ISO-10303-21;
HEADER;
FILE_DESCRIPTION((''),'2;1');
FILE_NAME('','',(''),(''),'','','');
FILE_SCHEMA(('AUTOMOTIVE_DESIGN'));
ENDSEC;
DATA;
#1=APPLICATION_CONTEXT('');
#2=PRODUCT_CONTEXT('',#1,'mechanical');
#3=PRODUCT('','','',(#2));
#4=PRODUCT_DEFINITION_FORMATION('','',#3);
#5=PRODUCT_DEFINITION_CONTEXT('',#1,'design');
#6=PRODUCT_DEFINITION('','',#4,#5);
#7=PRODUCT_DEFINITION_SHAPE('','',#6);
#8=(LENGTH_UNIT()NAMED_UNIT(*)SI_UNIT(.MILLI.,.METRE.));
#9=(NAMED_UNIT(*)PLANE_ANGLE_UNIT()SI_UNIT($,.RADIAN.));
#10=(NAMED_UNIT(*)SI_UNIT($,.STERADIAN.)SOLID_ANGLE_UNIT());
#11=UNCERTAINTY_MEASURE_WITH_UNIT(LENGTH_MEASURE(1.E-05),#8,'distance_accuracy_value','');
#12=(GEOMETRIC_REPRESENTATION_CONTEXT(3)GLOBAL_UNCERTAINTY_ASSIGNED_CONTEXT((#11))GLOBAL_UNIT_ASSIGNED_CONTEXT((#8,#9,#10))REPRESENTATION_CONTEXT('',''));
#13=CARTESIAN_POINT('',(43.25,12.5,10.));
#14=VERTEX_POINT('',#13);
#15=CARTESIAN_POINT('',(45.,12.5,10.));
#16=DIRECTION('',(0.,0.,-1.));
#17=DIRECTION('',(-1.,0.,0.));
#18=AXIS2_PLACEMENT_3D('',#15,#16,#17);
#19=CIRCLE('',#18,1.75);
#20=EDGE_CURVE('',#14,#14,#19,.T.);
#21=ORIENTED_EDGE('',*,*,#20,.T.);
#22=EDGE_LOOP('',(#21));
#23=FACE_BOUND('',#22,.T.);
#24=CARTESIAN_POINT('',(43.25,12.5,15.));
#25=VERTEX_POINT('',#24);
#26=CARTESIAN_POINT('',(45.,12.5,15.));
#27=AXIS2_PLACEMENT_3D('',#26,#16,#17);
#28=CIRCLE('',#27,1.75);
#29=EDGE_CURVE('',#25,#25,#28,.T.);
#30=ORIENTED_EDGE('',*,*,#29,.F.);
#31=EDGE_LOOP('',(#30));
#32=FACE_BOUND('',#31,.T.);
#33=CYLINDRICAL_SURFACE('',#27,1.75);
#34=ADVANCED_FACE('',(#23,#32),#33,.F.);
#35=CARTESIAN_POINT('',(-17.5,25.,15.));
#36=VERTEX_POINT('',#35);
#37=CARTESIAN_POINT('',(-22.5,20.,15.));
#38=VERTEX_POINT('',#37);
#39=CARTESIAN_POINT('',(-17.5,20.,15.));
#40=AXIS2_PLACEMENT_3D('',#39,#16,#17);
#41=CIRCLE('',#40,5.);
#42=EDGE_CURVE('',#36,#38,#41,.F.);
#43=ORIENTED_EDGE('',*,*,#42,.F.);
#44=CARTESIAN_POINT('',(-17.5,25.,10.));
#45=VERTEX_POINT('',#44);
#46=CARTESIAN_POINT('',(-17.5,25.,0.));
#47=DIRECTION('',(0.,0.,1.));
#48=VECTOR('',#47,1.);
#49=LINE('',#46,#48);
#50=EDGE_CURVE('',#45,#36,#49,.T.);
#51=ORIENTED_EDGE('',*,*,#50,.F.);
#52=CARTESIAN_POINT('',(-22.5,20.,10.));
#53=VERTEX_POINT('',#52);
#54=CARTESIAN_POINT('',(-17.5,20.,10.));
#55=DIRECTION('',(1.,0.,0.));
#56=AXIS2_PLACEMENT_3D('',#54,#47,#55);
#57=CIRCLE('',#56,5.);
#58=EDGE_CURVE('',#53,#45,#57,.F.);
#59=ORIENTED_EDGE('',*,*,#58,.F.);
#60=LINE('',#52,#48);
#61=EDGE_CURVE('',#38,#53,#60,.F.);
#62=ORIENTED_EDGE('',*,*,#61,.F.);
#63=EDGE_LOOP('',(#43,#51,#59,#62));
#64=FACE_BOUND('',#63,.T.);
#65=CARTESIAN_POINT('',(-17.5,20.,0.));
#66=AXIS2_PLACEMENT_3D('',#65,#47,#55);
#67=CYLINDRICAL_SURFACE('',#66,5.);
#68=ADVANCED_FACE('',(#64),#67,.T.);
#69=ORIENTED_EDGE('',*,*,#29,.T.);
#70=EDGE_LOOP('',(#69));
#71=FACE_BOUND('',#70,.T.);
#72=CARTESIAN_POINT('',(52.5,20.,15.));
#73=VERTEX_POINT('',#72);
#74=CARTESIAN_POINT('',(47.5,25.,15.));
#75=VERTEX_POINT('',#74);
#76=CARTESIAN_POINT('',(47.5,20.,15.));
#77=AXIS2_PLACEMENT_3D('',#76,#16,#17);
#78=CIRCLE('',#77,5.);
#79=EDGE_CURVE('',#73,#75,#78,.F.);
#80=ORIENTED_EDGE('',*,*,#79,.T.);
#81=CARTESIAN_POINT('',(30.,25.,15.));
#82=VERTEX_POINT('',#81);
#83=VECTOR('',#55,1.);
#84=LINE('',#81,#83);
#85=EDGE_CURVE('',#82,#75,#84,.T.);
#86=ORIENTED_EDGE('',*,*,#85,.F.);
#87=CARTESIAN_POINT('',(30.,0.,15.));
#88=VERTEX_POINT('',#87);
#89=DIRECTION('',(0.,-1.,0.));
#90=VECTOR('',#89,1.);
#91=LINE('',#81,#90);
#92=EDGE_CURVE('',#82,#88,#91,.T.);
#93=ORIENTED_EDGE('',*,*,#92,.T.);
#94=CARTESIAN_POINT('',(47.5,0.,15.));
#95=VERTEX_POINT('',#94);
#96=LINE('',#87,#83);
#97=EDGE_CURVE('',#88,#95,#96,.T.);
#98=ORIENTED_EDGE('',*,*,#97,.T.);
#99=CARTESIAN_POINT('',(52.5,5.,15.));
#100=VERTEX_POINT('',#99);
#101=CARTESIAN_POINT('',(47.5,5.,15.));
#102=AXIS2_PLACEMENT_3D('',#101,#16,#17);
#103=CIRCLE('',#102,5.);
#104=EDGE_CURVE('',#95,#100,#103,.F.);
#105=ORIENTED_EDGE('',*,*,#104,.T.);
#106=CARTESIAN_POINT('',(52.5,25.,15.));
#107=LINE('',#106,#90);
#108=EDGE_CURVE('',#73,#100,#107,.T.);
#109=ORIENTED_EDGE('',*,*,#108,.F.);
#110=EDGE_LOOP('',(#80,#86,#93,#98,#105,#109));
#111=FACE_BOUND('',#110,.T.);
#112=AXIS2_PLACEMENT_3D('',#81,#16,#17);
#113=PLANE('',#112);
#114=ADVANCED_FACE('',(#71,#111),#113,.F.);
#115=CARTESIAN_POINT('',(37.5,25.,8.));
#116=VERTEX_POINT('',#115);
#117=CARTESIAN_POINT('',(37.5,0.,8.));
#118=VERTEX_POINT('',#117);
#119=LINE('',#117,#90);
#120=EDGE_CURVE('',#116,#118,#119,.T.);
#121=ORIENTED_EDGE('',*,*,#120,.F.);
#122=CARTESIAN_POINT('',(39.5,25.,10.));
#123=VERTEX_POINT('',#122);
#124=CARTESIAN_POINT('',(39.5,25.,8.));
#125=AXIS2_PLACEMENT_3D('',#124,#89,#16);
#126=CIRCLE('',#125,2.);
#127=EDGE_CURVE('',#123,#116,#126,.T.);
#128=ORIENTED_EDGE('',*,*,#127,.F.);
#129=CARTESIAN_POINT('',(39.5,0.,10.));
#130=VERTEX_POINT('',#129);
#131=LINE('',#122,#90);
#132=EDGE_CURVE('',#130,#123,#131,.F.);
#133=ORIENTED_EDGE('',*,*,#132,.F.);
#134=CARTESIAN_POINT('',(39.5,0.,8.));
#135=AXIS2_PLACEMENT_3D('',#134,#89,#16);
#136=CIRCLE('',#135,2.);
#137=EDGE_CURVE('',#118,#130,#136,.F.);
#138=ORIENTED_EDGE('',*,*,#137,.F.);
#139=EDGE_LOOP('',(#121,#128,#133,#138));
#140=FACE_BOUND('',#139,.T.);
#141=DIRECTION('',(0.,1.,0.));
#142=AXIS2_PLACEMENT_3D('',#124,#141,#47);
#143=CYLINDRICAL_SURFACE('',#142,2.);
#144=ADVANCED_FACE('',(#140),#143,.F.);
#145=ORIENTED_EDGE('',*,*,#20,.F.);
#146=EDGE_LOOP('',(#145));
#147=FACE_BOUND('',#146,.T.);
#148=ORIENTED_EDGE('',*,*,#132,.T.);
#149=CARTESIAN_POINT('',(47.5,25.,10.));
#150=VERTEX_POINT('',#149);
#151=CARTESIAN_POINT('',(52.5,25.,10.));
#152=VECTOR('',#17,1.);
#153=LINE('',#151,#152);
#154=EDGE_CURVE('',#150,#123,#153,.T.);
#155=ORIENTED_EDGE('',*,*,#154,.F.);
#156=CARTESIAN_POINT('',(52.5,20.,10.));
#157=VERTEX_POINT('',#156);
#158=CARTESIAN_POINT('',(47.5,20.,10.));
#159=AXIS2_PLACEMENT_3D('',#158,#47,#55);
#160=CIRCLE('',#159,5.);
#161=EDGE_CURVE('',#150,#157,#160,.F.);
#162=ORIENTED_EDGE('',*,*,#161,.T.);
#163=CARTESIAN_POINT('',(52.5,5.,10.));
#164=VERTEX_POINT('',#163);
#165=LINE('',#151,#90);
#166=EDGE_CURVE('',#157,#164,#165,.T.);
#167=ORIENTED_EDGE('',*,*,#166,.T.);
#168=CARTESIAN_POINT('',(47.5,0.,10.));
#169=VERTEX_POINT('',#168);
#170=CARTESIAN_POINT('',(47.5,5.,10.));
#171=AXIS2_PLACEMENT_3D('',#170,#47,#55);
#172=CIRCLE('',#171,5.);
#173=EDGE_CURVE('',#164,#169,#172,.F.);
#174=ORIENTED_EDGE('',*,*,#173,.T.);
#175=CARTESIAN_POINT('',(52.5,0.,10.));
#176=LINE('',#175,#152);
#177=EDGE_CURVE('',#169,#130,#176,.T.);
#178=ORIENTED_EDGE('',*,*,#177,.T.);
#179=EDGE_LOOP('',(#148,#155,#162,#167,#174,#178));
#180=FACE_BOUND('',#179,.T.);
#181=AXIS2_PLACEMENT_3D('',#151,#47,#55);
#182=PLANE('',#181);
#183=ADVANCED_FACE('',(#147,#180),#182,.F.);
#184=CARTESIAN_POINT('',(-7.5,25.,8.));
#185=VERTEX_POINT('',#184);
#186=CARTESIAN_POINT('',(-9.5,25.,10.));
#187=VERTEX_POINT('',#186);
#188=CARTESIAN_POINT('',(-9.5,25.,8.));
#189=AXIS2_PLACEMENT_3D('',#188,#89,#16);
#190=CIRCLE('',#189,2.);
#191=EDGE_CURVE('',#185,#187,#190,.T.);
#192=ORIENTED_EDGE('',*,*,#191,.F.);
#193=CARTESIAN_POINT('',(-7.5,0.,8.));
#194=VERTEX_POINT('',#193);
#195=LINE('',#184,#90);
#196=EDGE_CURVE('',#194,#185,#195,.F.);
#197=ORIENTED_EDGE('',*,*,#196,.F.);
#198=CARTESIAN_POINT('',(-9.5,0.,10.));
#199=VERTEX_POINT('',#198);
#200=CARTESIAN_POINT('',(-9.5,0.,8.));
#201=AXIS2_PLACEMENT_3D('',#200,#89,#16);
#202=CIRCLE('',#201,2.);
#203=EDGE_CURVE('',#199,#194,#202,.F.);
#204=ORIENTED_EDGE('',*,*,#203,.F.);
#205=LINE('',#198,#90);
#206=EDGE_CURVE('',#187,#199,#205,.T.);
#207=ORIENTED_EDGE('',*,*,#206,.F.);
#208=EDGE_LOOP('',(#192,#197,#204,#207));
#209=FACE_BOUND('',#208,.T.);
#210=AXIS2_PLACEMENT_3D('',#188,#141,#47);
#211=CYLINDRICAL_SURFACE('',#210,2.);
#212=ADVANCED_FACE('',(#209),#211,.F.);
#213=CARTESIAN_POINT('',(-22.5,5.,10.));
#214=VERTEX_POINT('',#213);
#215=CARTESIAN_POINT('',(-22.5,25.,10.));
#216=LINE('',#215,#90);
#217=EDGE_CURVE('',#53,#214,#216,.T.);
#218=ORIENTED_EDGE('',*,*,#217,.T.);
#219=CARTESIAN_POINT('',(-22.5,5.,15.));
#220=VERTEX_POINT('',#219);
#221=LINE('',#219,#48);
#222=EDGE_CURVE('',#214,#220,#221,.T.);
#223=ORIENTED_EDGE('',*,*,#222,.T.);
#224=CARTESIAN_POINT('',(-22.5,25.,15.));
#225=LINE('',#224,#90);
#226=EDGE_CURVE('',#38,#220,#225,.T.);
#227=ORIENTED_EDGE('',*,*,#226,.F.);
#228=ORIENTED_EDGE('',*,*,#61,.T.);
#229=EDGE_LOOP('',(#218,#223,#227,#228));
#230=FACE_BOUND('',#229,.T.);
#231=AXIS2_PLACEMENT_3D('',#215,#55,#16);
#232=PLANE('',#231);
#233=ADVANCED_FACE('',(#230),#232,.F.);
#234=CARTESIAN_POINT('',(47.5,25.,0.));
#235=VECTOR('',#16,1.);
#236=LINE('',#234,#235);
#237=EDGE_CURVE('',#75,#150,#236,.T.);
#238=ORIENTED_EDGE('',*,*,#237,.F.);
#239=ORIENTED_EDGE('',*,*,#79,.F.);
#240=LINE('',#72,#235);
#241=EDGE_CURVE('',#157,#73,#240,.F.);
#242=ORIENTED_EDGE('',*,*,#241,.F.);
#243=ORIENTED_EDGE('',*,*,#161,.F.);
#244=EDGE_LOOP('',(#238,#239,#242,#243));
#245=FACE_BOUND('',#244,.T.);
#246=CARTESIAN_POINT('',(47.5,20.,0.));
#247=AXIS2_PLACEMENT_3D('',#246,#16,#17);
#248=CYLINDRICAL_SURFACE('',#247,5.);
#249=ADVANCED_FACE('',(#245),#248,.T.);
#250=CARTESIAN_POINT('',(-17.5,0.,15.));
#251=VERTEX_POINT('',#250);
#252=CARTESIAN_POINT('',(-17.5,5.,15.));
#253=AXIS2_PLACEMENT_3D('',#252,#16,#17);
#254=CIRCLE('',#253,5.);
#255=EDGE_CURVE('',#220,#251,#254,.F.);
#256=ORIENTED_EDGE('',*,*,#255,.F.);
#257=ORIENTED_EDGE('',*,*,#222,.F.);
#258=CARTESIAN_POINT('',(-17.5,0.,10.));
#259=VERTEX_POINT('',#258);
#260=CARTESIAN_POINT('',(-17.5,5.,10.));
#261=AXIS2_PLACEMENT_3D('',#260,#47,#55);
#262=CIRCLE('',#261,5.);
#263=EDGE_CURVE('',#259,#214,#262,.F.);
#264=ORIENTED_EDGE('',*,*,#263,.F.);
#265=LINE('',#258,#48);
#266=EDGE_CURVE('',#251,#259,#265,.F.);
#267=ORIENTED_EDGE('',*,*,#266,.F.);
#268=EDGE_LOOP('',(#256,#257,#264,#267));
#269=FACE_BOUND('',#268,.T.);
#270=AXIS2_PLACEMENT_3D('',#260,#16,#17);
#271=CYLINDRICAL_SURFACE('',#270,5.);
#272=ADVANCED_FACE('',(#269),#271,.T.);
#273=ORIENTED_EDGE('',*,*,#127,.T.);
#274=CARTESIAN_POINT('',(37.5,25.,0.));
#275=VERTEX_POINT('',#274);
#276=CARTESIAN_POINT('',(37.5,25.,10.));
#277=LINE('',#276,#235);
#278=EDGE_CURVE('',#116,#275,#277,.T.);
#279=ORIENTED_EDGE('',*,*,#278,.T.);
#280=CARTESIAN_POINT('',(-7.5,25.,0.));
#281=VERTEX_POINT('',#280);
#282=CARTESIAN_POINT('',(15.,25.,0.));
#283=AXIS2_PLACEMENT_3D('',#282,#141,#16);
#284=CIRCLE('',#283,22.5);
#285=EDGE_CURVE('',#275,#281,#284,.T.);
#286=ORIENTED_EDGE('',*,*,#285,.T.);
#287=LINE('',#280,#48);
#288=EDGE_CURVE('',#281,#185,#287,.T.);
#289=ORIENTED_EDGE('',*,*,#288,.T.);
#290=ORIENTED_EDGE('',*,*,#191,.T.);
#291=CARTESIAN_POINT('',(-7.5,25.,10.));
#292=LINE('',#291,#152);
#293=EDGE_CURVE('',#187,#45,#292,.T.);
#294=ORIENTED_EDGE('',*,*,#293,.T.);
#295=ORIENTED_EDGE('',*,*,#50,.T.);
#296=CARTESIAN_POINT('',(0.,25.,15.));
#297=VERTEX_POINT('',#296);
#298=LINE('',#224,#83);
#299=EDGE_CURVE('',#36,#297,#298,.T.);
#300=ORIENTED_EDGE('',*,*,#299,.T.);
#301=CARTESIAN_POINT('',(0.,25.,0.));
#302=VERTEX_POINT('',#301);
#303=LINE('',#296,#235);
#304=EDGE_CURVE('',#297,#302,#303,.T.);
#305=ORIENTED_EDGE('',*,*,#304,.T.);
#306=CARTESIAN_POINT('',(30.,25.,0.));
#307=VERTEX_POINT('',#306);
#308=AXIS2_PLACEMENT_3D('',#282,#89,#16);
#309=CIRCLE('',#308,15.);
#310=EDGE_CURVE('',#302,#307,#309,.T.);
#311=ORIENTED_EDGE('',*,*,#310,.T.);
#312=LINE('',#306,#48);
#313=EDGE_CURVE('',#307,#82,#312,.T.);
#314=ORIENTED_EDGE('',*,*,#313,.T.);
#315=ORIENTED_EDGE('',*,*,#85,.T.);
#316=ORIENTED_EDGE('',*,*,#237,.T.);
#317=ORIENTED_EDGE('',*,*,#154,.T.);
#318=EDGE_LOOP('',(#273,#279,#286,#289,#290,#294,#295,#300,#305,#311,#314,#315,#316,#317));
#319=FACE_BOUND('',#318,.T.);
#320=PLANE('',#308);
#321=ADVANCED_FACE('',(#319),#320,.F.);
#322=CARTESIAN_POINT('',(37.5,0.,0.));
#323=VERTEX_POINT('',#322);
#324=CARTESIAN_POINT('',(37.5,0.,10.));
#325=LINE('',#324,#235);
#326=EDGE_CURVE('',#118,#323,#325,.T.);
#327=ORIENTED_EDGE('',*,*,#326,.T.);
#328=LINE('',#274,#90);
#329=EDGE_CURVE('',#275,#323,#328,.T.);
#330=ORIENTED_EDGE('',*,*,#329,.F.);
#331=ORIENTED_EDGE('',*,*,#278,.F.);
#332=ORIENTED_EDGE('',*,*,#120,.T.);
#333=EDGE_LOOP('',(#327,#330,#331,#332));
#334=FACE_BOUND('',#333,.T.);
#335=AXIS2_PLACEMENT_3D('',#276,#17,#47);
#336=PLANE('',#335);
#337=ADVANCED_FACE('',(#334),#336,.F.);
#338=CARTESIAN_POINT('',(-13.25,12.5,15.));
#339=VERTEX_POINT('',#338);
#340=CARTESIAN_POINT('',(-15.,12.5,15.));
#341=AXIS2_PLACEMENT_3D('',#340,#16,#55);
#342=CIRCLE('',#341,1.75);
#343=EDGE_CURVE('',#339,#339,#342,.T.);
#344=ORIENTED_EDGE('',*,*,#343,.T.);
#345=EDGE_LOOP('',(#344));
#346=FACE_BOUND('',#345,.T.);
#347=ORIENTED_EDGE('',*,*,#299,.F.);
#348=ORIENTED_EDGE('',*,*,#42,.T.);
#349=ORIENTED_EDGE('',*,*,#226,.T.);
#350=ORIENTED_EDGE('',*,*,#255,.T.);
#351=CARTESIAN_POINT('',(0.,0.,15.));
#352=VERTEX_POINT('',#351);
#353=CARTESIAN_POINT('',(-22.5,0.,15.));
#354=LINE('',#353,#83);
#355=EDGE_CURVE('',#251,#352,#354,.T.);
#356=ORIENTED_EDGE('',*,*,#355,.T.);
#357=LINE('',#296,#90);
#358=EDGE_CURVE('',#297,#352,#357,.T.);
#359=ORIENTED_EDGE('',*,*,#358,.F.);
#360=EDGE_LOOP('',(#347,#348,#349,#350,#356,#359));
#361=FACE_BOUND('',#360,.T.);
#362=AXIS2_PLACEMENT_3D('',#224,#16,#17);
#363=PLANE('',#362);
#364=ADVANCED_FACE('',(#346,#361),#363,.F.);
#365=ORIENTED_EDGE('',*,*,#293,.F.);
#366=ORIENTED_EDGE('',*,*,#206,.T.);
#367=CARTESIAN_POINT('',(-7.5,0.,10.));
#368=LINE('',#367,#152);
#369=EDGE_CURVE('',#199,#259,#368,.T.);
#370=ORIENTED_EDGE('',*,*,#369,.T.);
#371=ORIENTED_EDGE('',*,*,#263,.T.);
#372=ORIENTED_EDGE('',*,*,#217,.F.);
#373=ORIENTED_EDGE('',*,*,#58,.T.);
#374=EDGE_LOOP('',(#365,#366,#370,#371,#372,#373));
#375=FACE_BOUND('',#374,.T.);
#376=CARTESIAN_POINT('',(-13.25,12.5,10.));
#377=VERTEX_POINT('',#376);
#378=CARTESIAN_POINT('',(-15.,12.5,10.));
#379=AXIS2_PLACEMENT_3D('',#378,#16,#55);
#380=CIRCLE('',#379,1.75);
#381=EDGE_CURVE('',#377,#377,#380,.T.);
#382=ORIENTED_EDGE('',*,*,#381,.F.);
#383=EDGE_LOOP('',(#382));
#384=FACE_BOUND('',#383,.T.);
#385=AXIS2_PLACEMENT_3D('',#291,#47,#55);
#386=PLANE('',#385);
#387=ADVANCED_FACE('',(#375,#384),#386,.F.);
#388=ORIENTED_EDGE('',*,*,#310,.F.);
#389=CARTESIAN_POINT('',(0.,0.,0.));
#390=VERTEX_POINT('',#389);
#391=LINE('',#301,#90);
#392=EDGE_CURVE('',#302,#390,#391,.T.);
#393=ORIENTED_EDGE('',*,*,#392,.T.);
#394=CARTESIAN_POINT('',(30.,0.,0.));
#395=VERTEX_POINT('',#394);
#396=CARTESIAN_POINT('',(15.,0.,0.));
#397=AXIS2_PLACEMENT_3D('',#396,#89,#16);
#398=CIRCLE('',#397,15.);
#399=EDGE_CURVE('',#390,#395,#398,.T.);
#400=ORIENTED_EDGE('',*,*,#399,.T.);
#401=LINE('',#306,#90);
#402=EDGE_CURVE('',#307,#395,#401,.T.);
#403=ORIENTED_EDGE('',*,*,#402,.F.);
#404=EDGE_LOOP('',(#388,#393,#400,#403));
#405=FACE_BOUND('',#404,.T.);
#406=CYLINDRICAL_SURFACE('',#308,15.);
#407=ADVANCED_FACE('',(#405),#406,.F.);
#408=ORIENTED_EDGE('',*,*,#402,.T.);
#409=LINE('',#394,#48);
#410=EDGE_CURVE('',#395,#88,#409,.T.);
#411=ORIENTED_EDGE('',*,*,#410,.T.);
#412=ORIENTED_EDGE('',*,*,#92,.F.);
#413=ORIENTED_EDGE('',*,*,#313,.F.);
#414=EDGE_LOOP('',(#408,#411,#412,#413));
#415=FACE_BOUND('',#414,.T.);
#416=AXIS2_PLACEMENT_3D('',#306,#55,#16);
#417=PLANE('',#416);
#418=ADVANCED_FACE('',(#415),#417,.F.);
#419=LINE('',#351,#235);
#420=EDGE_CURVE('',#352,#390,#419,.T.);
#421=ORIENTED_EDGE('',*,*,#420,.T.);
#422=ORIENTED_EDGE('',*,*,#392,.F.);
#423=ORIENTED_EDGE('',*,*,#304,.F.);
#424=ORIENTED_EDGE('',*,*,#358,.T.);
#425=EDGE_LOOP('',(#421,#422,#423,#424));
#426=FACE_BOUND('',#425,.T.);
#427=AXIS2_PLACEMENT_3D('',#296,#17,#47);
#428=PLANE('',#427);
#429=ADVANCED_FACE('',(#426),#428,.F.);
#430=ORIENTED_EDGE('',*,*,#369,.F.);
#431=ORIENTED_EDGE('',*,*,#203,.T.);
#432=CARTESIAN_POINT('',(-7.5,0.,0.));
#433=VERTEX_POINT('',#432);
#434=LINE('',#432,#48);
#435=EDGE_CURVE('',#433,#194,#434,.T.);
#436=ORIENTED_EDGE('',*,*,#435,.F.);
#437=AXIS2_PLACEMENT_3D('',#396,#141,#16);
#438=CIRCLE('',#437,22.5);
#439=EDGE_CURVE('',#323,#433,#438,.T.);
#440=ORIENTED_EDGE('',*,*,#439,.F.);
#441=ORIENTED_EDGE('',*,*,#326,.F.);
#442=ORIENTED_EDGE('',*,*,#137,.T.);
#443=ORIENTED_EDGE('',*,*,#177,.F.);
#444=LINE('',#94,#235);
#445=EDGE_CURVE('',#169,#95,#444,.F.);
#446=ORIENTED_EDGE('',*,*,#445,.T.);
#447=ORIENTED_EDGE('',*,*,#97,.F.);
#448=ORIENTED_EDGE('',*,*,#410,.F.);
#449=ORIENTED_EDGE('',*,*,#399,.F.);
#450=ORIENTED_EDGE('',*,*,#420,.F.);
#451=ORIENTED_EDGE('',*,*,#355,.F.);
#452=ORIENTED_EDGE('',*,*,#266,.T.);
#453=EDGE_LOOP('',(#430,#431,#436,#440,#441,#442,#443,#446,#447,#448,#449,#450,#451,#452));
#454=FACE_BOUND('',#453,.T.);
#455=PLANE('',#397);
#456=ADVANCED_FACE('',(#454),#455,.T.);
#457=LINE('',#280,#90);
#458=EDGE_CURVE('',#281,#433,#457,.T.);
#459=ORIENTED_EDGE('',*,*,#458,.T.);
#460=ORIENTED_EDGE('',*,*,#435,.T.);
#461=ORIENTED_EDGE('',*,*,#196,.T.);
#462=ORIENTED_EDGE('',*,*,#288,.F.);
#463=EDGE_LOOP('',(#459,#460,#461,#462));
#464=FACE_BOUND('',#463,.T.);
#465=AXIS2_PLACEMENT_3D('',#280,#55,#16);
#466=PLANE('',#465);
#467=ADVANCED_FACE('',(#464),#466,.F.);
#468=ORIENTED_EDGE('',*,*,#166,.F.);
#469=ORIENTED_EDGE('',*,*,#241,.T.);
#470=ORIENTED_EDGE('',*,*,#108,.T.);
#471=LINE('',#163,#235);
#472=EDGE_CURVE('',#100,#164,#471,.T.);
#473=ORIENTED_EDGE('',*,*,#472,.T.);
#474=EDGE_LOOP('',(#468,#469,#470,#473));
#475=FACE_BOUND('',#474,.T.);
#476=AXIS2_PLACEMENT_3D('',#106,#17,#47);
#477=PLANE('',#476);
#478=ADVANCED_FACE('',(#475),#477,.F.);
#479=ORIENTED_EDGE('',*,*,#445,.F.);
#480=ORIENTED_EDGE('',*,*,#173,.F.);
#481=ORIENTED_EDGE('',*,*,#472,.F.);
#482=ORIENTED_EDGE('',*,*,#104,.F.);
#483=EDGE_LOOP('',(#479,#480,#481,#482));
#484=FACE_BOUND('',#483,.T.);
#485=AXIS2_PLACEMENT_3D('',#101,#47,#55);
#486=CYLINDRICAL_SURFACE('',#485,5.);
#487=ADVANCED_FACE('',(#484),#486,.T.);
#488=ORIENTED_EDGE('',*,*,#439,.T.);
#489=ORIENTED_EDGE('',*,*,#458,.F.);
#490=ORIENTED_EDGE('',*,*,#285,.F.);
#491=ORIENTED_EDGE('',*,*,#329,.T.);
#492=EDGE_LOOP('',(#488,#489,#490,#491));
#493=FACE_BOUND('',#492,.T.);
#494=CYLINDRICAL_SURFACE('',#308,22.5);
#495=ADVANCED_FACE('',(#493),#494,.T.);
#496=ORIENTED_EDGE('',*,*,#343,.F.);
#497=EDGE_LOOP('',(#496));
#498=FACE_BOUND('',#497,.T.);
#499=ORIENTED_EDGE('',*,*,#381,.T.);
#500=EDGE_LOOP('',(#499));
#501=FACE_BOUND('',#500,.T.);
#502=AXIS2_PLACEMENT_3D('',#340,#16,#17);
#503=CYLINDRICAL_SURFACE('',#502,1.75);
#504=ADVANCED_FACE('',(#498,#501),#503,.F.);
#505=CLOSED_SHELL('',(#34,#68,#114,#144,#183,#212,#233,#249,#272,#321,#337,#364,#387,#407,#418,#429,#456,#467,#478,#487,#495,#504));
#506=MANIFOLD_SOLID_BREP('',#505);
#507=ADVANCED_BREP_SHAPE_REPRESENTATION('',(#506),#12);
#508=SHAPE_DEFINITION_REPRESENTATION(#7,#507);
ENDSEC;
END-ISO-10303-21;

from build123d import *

# Parameters (mm, degrees)
BOSS_EXTRUDE1_DEPTH = 25
SKETCH4_R           = 1.75
CUT_EXTRUDE1_DEPTH  = 6
FILLET1_R           = 5
FILLET2_R           = 2


with BuildPart() as part:
    # Sketch1 → Boss-Extrude1 (new body)
    with BuildSketch(Plane(origin=(0, 0, 0), x_dir=(1, 0, 0), z_dir=(0, 1, 0))):
        with BuildLine():
            Line((-7.5, 0), (-7.5, -10))
            Line((-7.5, -10), (-22.5, -10))
            Line((-22.5, -10), (-22.5, -15))
            Line((-22.5, -15), (0, -15))
            Line((0, -15), (0, 0))
            ThreePointArc((0, 0), (15, 15), (30, 0))
            Line((30, 0), (30, -15))
            Line((30, -15), (52.5, -15))
            Line((52.5, -15), (52.5, -10))
            Line((52.5, -10), (37.5, -10))
            Line((37.5, -10), (37.5, 0))
            ThreePointArc((37.5, 0), (15, 22.5), (-7.5, 0))
        make_face()
    extrude(amount=BOSS_EXTRUDE1_DEPTH)

    # Sketch4 → Cut-Extrude1 (cut, through all)
    with BuildSketch(Plane(origin=(0, 0, 10), x_dir=(-1, 0, 0), z_dir=(0, 0, -1))):
        with Locations((-45, 12.5)):
            Circle(SKETCH4_R)
        with Locations((15, 12.5)):
            Circle(SKETCH4_R)
    extrude(amount=-CUT_EXTRUDE1_DEPTH, mode=Mode.SUBTRACT)

    # Fillet1
    fillet1_edges = [part.edges().sort_by_distance(p)[0] for p in [
        (-22.5, 0, 12.5),
        (52.5, 0, 12.5),
        (52.5, 25, 12.5),
        (-22.5, 25, 12.5),
    ]]
    fillet(fillet1_edges, radius=FILLET1_R)

    # Fillet2
    fillet2_edges = [part.edges().sort_by_distance(p)[0] for p in [
        (-7.5, 12.5, 10),
        (37.5, 12.5, 10),
    ]]
    fillet(fillet2_edges, radius=FILLET2_R)


solid = part.part
